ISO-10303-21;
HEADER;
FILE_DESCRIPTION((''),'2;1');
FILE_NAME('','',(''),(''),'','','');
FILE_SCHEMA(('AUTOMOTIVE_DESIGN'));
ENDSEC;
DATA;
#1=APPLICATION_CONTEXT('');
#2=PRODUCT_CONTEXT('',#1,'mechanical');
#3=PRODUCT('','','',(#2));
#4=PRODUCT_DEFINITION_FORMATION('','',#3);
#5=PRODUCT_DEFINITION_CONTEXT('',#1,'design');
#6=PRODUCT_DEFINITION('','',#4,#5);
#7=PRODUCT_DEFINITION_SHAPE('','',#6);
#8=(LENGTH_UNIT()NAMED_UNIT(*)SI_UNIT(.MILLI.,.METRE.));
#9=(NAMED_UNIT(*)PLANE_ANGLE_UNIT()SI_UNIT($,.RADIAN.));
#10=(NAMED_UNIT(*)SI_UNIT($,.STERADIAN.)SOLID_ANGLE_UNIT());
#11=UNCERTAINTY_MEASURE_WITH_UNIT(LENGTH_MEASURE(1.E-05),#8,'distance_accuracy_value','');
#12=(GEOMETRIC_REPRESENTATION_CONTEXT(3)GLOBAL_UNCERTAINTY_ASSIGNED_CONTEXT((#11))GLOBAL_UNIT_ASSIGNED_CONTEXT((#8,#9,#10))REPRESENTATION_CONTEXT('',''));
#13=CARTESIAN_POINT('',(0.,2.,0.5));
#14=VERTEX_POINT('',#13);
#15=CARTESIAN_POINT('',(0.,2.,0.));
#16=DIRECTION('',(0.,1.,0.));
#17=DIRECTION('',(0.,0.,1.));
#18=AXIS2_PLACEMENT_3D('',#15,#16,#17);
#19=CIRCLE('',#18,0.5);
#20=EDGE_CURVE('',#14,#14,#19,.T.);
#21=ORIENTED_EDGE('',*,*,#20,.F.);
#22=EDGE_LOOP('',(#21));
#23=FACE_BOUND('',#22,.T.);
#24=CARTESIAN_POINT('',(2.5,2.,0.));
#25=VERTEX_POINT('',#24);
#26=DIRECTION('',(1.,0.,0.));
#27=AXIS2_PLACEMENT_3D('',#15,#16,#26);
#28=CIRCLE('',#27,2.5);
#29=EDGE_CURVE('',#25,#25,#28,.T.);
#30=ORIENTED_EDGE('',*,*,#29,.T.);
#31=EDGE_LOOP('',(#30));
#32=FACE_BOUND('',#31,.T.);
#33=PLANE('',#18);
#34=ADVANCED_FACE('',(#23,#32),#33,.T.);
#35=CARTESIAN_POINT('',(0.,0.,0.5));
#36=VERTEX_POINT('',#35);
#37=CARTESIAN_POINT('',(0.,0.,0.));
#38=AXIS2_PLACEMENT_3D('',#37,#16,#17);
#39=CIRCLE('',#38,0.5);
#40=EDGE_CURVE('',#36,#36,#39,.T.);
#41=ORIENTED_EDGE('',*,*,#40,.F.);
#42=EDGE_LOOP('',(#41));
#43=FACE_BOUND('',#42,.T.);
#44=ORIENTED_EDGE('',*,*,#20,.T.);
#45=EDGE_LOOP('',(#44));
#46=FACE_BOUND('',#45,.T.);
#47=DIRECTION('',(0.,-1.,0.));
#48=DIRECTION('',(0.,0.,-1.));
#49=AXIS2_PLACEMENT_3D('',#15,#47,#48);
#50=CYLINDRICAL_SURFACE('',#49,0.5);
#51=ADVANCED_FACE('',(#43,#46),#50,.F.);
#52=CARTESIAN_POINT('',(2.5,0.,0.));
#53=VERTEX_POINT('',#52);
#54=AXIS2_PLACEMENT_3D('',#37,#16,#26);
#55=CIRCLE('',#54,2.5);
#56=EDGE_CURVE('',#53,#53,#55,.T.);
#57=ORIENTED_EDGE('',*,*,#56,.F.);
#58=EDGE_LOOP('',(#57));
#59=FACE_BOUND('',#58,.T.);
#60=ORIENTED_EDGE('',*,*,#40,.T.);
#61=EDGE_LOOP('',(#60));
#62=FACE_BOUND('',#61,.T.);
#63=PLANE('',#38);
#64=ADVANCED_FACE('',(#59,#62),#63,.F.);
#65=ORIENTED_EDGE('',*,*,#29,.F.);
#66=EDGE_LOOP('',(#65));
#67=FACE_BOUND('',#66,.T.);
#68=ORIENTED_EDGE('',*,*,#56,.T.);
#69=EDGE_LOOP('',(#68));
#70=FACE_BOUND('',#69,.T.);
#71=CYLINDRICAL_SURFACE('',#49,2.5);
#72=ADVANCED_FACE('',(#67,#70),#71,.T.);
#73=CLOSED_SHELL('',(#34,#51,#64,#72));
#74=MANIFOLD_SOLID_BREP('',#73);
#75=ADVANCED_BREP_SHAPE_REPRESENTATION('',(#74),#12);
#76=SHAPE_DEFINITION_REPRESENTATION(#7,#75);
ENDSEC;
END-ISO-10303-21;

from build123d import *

# Parameters (mm, degrees)
SKETCH_1_R      = 2.5
SKETCH_1_R_2    = 0.5
EXTRUDE_1_DEPTH = 2


with BuildPart() as part:
    # 草圖1 → 伸長-薄件1 (new body)
    with BuildSketch(Plane(origin=(0, 0, 0), x_dir=(1, 0, 0), z_dir=(0, 1, 0))):
        Circle(SKETCH_1_R)
        Circle(SKETCH_1_R_2, mode=Mode.SUBTRACT)
    extrude(amount=EXTRUDE_1_DEPTH)


solid = part.part
